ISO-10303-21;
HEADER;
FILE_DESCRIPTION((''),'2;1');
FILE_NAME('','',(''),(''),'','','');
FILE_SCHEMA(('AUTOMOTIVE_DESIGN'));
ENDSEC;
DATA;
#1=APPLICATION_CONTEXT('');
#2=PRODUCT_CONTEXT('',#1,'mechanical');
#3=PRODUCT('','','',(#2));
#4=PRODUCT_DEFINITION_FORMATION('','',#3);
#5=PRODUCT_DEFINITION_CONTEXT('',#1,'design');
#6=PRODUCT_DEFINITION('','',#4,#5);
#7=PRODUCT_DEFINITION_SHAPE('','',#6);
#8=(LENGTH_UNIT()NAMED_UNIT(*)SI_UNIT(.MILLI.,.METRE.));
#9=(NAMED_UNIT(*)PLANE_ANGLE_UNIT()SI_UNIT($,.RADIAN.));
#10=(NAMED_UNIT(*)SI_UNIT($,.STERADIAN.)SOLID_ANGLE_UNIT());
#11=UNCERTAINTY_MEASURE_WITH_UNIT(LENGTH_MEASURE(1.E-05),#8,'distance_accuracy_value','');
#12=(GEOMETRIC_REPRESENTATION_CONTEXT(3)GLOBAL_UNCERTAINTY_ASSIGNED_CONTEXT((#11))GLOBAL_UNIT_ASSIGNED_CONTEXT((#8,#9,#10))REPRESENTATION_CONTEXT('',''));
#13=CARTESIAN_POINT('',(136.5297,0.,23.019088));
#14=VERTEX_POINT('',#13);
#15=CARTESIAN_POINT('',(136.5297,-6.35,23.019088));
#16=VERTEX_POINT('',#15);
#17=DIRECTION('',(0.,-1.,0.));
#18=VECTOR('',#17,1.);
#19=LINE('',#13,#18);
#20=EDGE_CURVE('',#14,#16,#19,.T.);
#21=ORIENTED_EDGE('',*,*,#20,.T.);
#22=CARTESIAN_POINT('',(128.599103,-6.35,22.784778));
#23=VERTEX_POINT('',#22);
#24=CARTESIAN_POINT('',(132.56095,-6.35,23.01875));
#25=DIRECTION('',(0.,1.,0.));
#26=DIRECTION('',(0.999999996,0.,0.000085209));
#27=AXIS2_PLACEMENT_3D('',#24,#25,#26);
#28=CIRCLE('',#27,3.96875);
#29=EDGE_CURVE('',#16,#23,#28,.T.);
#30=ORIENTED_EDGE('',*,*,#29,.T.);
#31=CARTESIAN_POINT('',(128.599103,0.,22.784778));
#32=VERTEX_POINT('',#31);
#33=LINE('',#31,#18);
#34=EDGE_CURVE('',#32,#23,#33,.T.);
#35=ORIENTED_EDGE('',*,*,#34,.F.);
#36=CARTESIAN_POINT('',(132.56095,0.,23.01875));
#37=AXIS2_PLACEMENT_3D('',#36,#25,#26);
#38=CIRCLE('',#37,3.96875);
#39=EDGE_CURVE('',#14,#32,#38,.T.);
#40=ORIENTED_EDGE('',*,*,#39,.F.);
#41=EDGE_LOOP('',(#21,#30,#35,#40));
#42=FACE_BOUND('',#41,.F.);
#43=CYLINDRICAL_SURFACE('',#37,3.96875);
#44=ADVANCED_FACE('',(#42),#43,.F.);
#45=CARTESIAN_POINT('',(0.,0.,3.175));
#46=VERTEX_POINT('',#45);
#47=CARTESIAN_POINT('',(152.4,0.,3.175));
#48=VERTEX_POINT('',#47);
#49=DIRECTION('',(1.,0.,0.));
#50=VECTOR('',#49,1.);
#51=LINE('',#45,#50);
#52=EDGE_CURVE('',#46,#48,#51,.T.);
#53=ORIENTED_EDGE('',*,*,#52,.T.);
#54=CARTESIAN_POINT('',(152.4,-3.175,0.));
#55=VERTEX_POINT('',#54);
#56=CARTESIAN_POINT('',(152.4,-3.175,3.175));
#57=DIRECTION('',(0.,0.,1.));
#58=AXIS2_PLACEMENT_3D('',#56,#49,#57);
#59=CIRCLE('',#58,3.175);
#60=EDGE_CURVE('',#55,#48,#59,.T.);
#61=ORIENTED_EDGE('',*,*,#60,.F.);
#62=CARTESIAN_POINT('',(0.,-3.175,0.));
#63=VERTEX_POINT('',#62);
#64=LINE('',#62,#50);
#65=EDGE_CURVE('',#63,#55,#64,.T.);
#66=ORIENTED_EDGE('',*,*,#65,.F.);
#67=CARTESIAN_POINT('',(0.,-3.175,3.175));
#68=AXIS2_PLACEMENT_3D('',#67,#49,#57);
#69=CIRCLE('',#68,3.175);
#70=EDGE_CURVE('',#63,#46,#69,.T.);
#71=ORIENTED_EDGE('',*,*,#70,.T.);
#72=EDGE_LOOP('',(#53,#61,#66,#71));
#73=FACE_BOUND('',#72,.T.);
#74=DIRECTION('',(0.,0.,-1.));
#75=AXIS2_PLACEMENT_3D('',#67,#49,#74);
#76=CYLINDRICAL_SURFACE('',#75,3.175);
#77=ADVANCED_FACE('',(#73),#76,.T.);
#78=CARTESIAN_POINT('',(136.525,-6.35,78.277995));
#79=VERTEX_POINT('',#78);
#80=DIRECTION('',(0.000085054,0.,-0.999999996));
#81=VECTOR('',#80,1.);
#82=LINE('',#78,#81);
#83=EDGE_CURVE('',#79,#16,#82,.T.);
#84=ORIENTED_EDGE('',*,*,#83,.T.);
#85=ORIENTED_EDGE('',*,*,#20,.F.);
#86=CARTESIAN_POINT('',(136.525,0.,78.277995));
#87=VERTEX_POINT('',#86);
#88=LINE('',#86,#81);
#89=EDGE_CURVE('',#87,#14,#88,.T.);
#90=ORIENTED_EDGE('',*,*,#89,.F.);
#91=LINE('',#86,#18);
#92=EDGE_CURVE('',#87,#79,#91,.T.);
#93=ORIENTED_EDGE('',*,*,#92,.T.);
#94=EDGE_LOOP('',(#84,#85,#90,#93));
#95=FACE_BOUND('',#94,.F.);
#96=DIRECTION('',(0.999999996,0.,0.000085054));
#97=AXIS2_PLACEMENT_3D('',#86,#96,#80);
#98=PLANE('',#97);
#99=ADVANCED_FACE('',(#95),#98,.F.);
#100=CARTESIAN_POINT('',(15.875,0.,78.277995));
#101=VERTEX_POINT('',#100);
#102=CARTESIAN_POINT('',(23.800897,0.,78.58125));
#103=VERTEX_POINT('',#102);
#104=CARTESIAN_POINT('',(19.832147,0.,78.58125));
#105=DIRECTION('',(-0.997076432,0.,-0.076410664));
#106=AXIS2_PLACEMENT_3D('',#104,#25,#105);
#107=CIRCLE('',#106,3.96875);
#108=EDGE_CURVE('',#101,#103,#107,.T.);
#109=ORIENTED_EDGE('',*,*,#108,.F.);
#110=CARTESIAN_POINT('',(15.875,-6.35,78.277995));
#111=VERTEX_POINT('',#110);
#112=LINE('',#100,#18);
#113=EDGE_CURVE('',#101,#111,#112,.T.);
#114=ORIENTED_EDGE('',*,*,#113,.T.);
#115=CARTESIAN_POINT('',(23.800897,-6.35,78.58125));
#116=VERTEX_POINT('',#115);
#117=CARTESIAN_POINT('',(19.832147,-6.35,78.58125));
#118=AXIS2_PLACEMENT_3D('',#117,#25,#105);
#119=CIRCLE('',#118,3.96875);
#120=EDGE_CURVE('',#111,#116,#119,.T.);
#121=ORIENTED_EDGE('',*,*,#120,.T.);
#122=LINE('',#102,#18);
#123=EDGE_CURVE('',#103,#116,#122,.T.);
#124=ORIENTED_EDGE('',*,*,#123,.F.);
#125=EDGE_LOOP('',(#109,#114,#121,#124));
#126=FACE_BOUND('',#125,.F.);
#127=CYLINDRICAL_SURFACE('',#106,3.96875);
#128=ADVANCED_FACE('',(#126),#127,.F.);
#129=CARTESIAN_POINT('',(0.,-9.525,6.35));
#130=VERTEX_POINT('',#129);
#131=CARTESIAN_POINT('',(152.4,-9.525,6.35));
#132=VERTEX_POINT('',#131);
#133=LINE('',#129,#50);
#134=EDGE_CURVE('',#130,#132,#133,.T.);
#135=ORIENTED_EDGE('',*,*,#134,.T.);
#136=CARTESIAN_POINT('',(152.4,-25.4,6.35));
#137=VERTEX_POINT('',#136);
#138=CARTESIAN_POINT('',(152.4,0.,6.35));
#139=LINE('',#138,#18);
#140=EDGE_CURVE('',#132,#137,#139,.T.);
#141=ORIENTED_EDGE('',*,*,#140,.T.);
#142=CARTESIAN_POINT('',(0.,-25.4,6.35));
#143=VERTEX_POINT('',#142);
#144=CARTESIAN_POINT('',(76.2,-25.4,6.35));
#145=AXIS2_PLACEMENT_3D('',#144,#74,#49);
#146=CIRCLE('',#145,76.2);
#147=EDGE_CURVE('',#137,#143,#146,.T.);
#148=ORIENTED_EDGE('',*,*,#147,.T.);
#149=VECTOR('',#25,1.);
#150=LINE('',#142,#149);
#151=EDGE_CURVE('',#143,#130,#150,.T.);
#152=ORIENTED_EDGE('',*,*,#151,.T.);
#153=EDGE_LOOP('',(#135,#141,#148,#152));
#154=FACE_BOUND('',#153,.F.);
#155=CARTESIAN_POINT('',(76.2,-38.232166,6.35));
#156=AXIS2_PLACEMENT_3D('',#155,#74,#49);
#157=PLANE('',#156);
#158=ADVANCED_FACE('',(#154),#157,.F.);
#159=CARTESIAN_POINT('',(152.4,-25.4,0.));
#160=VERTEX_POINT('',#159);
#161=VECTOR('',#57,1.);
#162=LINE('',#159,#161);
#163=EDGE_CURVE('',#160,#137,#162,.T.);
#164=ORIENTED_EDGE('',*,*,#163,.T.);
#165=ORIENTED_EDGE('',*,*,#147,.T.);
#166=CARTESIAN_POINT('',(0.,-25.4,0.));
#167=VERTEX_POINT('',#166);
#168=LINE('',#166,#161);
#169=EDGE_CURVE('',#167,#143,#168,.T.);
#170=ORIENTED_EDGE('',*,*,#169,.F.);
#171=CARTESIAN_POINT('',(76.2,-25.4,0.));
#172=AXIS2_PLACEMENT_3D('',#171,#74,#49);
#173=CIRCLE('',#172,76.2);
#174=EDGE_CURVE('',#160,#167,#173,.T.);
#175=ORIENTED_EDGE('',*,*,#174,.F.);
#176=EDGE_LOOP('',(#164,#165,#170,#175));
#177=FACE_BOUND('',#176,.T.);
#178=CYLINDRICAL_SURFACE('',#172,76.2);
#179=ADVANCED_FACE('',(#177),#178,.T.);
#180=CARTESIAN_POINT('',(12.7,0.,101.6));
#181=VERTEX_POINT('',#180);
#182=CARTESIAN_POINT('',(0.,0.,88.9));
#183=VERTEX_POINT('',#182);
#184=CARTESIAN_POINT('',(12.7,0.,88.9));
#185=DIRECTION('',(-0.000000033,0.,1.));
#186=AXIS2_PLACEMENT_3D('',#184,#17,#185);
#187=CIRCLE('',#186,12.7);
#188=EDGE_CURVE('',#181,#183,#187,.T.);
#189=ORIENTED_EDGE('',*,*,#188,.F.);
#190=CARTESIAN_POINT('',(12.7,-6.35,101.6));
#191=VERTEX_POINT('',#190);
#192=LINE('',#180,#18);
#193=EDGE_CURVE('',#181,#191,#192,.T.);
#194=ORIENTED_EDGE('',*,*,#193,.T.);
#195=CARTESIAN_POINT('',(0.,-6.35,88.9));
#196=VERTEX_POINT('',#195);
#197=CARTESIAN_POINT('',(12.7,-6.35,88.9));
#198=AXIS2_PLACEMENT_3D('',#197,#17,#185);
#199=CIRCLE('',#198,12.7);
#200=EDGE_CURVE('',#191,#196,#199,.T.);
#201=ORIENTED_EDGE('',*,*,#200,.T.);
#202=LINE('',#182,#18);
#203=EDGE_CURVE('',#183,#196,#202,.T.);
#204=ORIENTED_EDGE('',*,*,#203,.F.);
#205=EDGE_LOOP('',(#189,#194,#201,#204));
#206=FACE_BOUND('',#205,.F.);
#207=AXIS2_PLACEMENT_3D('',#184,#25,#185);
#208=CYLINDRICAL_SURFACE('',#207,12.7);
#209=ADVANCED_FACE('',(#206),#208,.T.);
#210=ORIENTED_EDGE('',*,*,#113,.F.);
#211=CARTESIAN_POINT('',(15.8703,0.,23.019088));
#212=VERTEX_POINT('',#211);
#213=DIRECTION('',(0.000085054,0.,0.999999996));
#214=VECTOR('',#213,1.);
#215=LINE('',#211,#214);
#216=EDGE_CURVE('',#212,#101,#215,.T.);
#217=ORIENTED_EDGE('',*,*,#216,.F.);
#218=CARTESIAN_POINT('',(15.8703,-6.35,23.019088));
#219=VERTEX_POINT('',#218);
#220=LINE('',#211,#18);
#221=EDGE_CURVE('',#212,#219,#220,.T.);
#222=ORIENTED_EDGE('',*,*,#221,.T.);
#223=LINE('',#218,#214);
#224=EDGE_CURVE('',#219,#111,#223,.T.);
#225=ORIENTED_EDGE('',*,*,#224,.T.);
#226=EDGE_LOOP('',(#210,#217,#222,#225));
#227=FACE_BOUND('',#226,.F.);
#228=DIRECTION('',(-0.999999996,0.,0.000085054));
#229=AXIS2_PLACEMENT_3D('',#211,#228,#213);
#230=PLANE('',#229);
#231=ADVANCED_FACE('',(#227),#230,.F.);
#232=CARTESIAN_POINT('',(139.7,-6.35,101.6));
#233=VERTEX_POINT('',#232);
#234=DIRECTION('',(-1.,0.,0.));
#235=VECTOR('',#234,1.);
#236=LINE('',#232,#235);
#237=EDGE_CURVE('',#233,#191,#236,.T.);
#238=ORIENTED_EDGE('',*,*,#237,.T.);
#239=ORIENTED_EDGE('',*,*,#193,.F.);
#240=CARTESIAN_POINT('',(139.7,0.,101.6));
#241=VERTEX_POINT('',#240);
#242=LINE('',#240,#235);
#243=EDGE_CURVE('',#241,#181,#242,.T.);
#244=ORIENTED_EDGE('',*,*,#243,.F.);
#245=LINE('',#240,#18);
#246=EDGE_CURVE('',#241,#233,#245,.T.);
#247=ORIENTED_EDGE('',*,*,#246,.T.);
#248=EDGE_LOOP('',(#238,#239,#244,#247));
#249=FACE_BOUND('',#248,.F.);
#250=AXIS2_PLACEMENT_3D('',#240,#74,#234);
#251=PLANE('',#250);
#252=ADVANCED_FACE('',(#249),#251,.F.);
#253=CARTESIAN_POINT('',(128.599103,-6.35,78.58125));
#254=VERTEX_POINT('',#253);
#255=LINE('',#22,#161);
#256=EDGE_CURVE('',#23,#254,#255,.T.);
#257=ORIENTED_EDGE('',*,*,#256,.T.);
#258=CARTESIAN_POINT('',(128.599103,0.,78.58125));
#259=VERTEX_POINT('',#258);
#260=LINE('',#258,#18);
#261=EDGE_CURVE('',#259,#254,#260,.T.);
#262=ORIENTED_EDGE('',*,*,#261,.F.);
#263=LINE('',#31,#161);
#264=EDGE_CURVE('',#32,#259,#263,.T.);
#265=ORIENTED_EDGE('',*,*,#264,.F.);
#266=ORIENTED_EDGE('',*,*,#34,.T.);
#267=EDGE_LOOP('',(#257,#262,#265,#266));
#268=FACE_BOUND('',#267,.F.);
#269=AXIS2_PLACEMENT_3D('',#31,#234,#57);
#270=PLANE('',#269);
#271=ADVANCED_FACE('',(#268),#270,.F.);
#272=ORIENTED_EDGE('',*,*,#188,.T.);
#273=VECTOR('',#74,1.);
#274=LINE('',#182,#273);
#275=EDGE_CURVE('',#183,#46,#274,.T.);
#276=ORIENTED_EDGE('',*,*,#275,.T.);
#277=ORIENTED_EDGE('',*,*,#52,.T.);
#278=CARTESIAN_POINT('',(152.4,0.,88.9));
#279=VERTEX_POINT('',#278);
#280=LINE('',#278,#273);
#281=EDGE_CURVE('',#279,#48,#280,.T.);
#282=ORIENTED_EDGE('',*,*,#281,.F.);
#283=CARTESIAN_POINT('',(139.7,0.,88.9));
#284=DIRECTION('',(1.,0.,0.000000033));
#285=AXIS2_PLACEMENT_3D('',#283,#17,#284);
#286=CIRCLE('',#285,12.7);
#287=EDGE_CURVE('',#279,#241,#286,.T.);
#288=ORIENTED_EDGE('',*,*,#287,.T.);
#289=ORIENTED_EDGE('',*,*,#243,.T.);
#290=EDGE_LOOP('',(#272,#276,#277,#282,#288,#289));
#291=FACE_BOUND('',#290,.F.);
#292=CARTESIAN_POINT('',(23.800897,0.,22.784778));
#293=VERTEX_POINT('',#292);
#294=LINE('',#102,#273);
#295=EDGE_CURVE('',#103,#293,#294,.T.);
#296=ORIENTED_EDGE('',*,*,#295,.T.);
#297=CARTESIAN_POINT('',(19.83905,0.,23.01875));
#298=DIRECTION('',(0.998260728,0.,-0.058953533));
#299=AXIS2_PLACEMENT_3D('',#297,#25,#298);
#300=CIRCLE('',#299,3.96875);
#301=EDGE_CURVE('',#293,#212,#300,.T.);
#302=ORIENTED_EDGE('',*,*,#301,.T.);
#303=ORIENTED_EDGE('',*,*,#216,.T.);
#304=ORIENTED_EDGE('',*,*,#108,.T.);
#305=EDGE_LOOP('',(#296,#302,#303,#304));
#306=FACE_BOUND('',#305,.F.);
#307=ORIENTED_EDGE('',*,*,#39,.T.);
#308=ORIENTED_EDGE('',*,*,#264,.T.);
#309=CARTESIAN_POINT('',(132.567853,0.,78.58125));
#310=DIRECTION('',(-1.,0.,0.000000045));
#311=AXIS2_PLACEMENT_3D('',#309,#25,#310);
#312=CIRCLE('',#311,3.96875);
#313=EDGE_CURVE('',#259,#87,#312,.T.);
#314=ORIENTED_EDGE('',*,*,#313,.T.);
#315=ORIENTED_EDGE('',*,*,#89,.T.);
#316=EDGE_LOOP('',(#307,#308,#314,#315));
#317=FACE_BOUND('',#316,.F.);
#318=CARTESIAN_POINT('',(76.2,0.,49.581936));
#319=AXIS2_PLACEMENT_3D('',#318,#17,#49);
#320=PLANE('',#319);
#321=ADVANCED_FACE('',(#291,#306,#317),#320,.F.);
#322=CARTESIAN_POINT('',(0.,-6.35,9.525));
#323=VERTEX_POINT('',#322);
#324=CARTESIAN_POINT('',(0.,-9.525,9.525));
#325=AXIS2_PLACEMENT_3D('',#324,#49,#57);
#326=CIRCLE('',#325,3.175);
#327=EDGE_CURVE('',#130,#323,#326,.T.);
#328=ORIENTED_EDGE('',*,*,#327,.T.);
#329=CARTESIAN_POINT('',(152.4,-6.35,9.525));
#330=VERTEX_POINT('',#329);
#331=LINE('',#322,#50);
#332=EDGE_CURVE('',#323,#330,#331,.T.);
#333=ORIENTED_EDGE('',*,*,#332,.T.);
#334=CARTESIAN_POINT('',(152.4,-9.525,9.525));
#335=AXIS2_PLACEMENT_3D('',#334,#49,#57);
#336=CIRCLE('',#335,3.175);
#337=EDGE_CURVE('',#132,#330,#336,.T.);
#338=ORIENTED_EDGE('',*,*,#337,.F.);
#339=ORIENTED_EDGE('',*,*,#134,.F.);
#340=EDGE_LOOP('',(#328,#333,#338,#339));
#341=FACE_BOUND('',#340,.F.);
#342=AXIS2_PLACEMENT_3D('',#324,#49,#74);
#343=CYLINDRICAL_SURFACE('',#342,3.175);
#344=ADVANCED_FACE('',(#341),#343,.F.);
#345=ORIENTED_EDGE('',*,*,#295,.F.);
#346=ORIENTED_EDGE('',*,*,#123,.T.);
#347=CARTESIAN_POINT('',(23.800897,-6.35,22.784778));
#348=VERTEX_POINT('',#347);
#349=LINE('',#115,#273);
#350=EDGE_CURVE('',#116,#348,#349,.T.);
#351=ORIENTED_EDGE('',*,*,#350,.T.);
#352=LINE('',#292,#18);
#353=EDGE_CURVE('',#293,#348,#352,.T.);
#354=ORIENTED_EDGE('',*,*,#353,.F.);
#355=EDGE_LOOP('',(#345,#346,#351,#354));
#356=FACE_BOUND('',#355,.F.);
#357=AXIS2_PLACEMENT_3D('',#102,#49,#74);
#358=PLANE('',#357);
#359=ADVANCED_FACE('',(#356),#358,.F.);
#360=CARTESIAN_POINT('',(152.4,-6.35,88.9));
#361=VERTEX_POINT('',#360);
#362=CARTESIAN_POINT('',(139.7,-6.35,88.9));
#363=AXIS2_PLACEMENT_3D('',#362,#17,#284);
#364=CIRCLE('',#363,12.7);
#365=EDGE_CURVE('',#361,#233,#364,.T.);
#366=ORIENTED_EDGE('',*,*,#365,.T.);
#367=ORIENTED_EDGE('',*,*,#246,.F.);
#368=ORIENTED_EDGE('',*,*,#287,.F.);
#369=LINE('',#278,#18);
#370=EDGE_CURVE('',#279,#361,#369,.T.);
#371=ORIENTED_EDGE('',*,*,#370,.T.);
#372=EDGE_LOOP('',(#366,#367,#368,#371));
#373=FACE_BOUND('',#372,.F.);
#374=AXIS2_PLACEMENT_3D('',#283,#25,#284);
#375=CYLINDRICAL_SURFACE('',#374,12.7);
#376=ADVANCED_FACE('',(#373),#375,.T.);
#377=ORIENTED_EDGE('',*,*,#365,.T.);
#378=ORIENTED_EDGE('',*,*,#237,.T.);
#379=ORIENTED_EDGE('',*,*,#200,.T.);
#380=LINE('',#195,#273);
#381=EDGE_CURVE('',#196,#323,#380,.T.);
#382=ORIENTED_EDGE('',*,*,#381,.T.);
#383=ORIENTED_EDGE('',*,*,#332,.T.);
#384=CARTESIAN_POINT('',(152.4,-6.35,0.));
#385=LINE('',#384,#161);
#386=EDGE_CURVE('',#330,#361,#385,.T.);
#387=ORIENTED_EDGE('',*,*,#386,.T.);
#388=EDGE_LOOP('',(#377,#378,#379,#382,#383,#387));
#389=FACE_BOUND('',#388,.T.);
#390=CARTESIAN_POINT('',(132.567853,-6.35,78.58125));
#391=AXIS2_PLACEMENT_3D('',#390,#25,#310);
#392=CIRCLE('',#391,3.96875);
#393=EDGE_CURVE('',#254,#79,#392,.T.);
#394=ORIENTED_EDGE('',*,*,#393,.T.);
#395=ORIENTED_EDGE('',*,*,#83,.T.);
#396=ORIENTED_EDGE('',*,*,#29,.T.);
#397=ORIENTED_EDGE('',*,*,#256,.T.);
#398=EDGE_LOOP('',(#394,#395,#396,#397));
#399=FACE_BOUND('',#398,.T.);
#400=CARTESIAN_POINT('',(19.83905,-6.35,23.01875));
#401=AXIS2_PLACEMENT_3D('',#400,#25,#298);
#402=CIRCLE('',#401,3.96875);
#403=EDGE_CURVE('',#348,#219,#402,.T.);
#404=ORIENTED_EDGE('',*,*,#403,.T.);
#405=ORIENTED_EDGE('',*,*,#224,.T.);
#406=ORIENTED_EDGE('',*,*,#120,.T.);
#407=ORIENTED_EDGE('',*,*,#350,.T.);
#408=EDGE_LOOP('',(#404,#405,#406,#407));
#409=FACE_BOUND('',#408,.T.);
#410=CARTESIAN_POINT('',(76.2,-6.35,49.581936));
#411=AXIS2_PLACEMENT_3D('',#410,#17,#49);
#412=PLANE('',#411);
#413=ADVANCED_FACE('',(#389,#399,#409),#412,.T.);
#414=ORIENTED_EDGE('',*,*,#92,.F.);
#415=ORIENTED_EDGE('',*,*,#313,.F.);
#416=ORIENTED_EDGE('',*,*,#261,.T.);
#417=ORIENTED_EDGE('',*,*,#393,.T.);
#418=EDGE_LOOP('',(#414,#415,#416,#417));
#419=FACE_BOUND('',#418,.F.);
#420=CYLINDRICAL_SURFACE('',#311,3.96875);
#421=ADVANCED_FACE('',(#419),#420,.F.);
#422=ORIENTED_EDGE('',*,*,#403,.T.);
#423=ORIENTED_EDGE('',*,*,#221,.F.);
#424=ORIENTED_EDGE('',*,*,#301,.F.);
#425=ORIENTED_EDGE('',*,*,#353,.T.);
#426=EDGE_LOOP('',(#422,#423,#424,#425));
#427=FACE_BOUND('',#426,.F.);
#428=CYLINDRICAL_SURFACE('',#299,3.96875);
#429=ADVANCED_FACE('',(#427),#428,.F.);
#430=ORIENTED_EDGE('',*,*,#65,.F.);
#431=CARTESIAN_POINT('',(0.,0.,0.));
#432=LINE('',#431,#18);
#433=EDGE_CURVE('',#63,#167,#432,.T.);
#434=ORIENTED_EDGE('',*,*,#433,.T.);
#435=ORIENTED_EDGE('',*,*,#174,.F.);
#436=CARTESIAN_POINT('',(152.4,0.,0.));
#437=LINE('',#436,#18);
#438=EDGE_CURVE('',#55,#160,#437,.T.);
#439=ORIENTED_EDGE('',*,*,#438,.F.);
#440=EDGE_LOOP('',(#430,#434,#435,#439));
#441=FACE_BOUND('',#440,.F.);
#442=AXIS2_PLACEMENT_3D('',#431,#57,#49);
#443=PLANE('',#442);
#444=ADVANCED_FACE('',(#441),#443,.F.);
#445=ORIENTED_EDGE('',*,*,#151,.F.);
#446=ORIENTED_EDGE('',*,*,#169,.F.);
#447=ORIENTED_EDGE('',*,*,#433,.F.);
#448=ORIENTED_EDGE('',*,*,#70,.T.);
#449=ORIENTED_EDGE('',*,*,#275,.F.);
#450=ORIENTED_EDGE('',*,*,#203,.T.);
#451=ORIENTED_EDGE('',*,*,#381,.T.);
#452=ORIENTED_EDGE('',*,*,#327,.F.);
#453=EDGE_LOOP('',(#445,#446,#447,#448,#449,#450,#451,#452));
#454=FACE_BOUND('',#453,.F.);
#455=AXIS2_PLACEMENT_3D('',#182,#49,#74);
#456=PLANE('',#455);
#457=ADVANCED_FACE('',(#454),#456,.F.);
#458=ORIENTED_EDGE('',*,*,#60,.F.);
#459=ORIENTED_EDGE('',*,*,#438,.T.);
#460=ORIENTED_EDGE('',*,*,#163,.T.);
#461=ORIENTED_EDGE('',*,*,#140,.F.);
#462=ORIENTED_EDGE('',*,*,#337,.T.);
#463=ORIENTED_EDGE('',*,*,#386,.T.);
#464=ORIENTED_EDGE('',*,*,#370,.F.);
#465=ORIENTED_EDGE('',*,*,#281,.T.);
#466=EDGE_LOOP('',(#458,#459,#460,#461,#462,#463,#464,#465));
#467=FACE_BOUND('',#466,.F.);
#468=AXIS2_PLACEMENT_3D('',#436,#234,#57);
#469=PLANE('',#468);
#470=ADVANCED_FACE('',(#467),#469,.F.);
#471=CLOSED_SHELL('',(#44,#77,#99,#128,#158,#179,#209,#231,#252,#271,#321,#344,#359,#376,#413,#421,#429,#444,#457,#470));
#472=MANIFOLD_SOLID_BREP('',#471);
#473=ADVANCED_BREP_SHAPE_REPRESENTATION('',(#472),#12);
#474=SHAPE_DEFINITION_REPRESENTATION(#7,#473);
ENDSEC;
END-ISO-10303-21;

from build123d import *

# Parameters (mm, degrees)
F1_DEPTH = 6.35
F3_DEPTH = 6.35
F4_R     = 3.175


with BuildPart() as f1:
    # F0 (on Front) → F1 (new body)
    with BuildSketch(Plane.XZ):
        with BuildLine():
            Line((0, 88.9), (0, 0))
            Line((0, 0), (152.4, 0))
            Line((152.4, 0), (152.4, 88.9))
            ThreePointArc((152.4, 88.9), (148.680256, 97.880256), (139.7, 101.6))
            Line((139.7, 101.6), (12.7, 101.6))
            ThreePointArc((12.7, 101.6), (3.719744, 97.880256), (0, 88.9))
        make_face()
        with BuildLine():
            ThreePointArc((15.875, 78.277995), (19.680409, 82.547098), (23.800897, 78.58125))
            Line((23.800897, 78.58125), (23.800897, 22.784778))
            ThreePointArc((23.800897, 22.784778), (19.721844, 19.051731), (15.8703, 23.019088))
            Line((15.8703, 23.019088), (15.875, 78.277995))
        make_face(mode=Mode.SUBTRACT)
        with BuildLine():
            Line((128.599103, 22.784778), (128.599103, 78.58125))
            ThreePointArc((128.599103, 78.58125), (132.719591, 82.547098), (136.525, 78.277995))
            Line((136.525, 78.277995), (136.5297, 23.019088))
            ThreePointArc((136.5297, 23.019088), (132.678156, 19.051731), (128.599103, 22.784778))
        make_face(mode=Mode.SUBTRACT)
    extrude(amount=F1_DEPTH)

    # F2 (on face) → F3 (join)
    with BuildSketch(Plane(origin=(0, 0, 0), x_dir=(1, 0, 0), z_dir=(0, 0, -1))):
        with BuildLine():
            Line((0, 0), (152.4, 0))
            Line((152.4, 0), (152.4, 25.4))
            ThreePointArc((152.4, 25.4), (76.2, 101.6), (0, 25.4))
            Line((0, 25.4), (0, 0))
        make_face()
    extrude(amount=-F3_DEPTH)

    # F4
    f4_edges = [f1.edges().sort_by_distance(p)[0] for p in [
        (76.2, 0, 0),
        (76.2, -6.35, 6.35),
    ]]
    fillet(f4_edges, radius=F4_R)


solid = f1.part
